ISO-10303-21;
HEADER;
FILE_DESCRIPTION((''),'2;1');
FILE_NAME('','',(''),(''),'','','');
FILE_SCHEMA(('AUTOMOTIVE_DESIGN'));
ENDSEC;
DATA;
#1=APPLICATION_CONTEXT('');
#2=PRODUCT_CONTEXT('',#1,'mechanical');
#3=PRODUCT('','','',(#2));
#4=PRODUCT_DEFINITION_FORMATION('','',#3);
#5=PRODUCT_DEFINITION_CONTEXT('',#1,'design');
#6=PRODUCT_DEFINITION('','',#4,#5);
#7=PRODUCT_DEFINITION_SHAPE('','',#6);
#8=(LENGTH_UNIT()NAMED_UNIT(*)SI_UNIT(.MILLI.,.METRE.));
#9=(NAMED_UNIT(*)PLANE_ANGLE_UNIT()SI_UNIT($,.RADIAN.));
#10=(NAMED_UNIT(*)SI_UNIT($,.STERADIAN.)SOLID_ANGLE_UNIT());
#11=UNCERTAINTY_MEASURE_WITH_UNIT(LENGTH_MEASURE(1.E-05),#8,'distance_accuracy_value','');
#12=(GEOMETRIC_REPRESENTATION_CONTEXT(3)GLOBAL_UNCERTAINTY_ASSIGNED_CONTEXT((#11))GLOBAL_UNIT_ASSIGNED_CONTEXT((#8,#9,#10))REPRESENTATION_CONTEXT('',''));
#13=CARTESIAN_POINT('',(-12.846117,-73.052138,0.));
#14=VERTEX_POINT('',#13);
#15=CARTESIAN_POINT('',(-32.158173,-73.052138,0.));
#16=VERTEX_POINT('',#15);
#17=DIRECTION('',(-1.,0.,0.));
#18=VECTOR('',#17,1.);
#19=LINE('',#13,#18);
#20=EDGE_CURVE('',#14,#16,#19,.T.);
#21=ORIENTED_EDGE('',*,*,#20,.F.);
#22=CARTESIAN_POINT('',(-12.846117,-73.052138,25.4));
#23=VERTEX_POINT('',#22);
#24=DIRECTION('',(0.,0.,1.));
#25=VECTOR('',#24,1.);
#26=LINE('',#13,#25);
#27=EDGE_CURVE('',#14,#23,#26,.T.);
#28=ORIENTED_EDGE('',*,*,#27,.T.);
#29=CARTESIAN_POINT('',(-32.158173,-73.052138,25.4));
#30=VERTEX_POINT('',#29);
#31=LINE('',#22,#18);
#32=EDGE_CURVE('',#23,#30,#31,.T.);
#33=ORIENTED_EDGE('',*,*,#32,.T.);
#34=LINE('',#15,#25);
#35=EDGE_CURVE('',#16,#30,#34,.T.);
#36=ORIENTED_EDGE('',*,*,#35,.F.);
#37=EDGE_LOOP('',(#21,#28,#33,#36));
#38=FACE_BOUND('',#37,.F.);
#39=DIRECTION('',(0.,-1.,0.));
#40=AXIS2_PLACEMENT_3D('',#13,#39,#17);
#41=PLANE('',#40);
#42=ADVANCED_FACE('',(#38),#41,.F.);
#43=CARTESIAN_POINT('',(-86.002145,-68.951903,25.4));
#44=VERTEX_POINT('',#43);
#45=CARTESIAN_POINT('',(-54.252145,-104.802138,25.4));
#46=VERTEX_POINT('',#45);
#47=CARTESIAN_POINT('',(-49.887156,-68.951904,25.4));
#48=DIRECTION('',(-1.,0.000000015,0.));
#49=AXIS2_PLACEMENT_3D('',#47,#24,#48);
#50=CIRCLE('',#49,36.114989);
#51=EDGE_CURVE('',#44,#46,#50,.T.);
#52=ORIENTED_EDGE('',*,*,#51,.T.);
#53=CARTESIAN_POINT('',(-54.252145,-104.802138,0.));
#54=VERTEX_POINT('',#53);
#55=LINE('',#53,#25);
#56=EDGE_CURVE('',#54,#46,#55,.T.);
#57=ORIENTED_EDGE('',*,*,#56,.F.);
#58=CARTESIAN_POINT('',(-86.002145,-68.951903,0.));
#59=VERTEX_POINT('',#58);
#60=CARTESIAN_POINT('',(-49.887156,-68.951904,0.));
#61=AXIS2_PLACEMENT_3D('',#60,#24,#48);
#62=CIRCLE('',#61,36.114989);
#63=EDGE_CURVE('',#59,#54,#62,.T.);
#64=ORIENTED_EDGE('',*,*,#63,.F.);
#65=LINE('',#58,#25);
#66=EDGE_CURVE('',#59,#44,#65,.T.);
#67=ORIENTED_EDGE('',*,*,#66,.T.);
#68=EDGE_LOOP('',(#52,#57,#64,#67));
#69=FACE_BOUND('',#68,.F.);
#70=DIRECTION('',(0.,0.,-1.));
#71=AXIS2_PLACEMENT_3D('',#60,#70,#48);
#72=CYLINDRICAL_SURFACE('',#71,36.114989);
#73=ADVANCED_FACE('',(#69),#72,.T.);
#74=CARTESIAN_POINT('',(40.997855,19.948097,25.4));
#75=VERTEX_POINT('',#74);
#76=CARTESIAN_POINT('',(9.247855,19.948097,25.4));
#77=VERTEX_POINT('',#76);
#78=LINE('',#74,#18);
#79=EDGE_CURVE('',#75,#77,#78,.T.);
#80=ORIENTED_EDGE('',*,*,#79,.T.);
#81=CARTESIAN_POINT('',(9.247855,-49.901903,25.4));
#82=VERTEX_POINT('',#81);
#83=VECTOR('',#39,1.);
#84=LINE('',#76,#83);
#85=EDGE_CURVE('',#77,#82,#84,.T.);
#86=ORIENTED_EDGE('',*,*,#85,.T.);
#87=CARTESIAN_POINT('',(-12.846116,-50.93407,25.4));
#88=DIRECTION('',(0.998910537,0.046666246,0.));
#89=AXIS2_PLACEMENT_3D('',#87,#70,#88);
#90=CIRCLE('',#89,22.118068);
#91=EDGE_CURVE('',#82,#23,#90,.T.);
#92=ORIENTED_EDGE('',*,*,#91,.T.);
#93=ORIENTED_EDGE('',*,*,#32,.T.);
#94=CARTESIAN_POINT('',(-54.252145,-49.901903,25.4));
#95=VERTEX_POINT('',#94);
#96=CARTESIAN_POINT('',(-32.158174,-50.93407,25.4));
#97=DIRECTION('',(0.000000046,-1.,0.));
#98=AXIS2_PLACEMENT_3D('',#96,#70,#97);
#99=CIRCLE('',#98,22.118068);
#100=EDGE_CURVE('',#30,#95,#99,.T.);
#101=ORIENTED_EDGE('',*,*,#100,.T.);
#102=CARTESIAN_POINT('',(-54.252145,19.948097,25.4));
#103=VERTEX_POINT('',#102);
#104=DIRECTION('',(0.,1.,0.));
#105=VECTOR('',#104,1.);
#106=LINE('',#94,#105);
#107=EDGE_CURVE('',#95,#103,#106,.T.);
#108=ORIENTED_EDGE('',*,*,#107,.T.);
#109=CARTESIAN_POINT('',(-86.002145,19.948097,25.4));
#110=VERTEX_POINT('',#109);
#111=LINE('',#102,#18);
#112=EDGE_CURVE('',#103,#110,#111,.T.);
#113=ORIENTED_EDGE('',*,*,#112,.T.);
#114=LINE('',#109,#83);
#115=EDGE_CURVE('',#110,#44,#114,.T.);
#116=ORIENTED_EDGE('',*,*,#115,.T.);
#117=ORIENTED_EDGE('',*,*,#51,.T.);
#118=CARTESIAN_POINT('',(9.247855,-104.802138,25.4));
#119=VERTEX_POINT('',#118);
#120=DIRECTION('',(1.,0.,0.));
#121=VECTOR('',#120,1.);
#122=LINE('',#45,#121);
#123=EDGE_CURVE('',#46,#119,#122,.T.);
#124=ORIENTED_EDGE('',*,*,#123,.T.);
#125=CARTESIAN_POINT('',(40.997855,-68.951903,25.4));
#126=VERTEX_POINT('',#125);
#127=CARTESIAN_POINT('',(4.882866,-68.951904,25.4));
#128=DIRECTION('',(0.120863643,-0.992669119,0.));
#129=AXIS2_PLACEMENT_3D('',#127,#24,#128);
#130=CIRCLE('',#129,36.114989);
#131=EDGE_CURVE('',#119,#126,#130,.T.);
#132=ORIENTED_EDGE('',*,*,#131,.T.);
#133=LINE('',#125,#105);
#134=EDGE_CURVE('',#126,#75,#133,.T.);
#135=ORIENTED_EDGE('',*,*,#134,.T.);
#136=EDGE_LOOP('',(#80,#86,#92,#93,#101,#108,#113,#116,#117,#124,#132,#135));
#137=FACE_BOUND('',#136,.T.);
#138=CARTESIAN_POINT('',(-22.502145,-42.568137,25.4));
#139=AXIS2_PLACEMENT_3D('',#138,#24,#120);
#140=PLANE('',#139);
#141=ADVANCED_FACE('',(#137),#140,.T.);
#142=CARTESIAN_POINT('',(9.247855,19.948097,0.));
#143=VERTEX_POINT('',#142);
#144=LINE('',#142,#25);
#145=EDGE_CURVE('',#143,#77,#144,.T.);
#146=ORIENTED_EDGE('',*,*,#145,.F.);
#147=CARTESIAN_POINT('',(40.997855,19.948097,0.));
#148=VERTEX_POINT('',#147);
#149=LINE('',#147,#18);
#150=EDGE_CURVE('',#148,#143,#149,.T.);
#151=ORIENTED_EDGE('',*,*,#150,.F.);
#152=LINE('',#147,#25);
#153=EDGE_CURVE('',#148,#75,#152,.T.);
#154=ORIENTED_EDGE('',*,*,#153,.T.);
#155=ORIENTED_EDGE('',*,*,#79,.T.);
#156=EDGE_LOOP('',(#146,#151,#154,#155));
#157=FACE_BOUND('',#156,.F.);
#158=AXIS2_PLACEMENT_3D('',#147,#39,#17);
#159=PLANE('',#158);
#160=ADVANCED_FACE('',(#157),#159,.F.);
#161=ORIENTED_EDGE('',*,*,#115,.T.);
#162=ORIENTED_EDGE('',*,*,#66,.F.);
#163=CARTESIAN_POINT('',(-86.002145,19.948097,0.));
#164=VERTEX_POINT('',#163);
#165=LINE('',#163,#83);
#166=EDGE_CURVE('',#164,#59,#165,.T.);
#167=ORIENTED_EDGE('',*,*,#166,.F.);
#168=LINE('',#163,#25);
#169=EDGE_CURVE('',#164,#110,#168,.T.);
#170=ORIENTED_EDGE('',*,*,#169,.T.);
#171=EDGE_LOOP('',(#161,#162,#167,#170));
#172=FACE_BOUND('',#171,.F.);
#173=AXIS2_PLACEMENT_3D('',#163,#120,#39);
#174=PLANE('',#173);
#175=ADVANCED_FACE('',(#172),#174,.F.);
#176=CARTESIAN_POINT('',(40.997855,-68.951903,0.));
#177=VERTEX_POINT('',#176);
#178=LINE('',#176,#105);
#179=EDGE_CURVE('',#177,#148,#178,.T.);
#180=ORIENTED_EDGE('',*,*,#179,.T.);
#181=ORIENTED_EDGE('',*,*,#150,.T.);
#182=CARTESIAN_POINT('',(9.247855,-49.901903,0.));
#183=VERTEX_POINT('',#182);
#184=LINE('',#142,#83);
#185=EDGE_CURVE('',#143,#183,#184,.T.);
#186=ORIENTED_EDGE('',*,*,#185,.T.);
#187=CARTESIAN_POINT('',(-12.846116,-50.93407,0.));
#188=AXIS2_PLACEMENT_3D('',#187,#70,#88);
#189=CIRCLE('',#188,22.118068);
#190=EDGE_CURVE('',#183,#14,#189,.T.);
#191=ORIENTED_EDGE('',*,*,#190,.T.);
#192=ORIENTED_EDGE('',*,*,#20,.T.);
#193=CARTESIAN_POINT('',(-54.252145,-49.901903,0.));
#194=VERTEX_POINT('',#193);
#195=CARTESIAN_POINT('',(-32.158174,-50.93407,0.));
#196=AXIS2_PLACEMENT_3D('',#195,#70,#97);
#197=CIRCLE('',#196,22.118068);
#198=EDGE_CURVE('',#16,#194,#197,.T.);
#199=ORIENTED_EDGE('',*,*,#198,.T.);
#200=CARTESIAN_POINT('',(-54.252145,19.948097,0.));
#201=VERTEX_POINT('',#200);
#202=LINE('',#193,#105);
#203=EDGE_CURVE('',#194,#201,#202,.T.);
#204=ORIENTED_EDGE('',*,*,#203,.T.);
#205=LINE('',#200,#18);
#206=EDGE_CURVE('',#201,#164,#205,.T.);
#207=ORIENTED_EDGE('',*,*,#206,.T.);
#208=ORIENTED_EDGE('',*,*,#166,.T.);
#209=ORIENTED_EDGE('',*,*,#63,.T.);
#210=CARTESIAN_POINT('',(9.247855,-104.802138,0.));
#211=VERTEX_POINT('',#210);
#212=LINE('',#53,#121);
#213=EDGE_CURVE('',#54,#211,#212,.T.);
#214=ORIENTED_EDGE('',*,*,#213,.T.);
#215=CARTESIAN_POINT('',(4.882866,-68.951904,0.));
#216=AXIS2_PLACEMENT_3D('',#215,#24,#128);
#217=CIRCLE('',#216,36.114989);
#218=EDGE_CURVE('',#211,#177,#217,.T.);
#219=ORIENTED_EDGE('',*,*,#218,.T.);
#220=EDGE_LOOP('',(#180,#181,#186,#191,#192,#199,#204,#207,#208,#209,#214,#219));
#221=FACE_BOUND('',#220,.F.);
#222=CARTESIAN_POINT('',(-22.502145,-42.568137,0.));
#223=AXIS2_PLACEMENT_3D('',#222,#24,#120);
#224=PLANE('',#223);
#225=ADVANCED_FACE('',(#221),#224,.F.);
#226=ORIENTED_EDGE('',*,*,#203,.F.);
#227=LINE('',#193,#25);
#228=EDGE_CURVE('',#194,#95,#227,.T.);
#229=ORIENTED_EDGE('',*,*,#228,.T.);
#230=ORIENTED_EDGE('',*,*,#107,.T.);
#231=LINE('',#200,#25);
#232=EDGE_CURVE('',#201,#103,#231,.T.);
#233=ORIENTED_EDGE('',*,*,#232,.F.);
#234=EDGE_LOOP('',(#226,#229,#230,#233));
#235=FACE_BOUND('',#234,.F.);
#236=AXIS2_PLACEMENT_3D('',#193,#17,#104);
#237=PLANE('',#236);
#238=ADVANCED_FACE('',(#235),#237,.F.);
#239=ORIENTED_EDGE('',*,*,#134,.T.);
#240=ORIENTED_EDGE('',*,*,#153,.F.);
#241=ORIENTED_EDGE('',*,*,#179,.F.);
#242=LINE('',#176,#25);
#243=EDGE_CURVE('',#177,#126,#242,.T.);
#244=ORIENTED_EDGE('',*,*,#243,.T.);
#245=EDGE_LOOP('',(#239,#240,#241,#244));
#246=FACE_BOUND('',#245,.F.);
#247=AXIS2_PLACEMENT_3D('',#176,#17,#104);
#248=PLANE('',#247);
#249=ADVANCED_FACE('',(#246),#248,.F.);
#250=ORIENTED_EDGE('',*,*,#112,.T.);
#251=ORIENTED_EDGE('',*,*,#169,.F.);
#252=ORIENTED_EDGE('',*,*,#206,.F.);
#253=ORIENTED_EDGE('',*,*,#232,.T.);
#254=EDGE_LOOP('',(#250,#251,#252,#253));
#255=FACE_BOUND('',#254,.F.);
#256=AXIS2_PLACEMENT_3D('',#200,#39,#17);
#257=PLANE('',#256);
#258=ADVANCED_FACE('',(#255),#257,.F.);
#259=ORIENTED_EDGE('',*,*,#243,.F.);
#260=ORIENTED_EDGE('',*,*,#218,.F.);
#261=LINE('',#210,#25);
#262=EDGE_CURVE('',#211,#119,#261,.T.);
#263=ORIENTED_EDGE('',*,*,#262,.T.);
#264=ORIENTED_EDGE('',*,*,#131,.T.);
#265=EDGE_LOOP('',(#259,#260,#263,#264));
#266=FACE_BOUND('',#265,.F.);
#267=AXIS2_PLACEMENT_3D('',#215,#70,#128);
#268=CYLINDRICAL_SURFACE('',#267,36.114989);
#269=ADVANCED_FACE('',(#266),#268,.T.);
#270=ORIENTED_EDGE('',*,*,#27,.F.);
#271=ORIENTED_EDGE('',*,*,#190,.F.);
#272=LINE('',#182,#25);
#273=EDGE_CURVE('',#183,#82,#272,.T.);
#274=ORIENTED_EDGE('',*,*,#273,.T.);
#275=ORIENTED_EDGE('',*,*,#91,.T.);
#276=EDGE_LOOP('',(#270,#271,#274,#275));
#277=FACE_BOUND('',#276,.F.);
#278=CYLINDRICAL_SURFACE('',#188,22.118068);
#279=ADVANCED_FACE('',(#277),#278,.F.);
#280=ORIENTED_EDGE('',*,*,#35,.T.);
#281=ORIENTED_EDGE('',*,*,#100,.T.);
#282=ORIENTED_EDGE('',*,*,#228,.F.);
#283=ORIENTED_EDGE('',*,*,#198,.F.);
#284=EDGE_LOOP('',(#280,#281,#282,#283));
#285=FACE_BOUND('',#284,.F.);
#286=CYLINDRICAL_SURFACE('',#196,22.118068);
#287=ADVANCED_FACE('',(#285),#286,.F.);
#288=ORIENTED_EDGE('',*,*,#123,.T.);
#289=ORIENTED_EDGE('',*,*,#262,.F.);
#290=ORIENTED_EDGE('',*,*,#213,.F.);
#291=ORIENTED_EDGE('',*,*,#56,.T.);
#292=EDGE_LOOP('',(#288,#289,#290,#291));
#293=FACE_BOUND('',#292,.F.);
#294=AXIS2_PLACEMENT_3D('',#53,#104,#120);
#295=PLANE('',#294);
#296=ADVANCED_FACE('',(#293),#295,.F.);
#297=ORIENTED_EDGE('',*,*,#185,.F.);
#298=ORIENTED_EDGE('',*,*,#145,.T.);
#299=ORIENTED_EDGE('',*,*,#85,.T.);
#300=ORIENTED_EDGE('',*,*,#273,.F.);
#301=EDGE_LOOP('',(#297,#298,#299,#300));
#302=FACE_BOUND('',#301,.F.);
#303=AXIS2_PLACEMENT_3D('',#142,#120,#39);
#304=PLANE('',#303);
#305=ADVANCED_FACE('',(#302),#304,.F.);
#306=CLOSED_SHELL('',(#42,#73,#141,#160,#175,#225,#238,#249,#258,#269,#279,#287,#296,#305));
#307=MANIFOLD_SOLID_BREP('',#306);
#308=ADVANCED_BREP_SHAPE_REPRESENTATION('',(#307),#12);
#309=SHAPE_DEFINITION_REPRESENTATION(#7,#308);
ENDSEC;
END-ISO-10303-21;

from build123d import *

# Parameters (mm, degrees)
F1_DEPTH = 25.4


with BuildPart() as f1:
    # F0 (on Top) → F1 (new body)
    with BuildSketch(Plane.XY):
        with BuildLine():
            Line((-12.846117, -73.052138), (-32.158173, -73.052138))
            ThreePointArc((-32.158173, -73.052138), (-48.158775, -66.20462), (-54.252145, -49.901903))
            Line((-54.252145, -49.901903), (-54.252145, 19.948097))
            Line((-54.252145, 19.948097), (-86.002145, 19.948097))
            Line((-86.002145, 19.948097), (-86.002145, -68.951903))
            ThreePointArc((-86.002145, -68.951903), (-76.923557, -92.896119), (-54.252145, -104.802138))
            Line((-54.252145, -104.802138), (9.247855, -104.802138))
            ThreePointArc((9.247855, -104.802138), (31.919267, -92.896119), (40.997855, -68.951903))
            Line((40.997855, -68.951903), (40.997855, 19.948097))
            Line((40.997855, 19.948097), (9.247855, 19.948097))
            Line((9.247855, 19.948097), (9.247855, -49.901903))
            ThreePointArc((9.247855, -49.901903), (3.154485, -66.20462), (-12.846117, -73.052138))
        make_face()
    extrude(amount=F1_DEPTH)


solid = f1.part
